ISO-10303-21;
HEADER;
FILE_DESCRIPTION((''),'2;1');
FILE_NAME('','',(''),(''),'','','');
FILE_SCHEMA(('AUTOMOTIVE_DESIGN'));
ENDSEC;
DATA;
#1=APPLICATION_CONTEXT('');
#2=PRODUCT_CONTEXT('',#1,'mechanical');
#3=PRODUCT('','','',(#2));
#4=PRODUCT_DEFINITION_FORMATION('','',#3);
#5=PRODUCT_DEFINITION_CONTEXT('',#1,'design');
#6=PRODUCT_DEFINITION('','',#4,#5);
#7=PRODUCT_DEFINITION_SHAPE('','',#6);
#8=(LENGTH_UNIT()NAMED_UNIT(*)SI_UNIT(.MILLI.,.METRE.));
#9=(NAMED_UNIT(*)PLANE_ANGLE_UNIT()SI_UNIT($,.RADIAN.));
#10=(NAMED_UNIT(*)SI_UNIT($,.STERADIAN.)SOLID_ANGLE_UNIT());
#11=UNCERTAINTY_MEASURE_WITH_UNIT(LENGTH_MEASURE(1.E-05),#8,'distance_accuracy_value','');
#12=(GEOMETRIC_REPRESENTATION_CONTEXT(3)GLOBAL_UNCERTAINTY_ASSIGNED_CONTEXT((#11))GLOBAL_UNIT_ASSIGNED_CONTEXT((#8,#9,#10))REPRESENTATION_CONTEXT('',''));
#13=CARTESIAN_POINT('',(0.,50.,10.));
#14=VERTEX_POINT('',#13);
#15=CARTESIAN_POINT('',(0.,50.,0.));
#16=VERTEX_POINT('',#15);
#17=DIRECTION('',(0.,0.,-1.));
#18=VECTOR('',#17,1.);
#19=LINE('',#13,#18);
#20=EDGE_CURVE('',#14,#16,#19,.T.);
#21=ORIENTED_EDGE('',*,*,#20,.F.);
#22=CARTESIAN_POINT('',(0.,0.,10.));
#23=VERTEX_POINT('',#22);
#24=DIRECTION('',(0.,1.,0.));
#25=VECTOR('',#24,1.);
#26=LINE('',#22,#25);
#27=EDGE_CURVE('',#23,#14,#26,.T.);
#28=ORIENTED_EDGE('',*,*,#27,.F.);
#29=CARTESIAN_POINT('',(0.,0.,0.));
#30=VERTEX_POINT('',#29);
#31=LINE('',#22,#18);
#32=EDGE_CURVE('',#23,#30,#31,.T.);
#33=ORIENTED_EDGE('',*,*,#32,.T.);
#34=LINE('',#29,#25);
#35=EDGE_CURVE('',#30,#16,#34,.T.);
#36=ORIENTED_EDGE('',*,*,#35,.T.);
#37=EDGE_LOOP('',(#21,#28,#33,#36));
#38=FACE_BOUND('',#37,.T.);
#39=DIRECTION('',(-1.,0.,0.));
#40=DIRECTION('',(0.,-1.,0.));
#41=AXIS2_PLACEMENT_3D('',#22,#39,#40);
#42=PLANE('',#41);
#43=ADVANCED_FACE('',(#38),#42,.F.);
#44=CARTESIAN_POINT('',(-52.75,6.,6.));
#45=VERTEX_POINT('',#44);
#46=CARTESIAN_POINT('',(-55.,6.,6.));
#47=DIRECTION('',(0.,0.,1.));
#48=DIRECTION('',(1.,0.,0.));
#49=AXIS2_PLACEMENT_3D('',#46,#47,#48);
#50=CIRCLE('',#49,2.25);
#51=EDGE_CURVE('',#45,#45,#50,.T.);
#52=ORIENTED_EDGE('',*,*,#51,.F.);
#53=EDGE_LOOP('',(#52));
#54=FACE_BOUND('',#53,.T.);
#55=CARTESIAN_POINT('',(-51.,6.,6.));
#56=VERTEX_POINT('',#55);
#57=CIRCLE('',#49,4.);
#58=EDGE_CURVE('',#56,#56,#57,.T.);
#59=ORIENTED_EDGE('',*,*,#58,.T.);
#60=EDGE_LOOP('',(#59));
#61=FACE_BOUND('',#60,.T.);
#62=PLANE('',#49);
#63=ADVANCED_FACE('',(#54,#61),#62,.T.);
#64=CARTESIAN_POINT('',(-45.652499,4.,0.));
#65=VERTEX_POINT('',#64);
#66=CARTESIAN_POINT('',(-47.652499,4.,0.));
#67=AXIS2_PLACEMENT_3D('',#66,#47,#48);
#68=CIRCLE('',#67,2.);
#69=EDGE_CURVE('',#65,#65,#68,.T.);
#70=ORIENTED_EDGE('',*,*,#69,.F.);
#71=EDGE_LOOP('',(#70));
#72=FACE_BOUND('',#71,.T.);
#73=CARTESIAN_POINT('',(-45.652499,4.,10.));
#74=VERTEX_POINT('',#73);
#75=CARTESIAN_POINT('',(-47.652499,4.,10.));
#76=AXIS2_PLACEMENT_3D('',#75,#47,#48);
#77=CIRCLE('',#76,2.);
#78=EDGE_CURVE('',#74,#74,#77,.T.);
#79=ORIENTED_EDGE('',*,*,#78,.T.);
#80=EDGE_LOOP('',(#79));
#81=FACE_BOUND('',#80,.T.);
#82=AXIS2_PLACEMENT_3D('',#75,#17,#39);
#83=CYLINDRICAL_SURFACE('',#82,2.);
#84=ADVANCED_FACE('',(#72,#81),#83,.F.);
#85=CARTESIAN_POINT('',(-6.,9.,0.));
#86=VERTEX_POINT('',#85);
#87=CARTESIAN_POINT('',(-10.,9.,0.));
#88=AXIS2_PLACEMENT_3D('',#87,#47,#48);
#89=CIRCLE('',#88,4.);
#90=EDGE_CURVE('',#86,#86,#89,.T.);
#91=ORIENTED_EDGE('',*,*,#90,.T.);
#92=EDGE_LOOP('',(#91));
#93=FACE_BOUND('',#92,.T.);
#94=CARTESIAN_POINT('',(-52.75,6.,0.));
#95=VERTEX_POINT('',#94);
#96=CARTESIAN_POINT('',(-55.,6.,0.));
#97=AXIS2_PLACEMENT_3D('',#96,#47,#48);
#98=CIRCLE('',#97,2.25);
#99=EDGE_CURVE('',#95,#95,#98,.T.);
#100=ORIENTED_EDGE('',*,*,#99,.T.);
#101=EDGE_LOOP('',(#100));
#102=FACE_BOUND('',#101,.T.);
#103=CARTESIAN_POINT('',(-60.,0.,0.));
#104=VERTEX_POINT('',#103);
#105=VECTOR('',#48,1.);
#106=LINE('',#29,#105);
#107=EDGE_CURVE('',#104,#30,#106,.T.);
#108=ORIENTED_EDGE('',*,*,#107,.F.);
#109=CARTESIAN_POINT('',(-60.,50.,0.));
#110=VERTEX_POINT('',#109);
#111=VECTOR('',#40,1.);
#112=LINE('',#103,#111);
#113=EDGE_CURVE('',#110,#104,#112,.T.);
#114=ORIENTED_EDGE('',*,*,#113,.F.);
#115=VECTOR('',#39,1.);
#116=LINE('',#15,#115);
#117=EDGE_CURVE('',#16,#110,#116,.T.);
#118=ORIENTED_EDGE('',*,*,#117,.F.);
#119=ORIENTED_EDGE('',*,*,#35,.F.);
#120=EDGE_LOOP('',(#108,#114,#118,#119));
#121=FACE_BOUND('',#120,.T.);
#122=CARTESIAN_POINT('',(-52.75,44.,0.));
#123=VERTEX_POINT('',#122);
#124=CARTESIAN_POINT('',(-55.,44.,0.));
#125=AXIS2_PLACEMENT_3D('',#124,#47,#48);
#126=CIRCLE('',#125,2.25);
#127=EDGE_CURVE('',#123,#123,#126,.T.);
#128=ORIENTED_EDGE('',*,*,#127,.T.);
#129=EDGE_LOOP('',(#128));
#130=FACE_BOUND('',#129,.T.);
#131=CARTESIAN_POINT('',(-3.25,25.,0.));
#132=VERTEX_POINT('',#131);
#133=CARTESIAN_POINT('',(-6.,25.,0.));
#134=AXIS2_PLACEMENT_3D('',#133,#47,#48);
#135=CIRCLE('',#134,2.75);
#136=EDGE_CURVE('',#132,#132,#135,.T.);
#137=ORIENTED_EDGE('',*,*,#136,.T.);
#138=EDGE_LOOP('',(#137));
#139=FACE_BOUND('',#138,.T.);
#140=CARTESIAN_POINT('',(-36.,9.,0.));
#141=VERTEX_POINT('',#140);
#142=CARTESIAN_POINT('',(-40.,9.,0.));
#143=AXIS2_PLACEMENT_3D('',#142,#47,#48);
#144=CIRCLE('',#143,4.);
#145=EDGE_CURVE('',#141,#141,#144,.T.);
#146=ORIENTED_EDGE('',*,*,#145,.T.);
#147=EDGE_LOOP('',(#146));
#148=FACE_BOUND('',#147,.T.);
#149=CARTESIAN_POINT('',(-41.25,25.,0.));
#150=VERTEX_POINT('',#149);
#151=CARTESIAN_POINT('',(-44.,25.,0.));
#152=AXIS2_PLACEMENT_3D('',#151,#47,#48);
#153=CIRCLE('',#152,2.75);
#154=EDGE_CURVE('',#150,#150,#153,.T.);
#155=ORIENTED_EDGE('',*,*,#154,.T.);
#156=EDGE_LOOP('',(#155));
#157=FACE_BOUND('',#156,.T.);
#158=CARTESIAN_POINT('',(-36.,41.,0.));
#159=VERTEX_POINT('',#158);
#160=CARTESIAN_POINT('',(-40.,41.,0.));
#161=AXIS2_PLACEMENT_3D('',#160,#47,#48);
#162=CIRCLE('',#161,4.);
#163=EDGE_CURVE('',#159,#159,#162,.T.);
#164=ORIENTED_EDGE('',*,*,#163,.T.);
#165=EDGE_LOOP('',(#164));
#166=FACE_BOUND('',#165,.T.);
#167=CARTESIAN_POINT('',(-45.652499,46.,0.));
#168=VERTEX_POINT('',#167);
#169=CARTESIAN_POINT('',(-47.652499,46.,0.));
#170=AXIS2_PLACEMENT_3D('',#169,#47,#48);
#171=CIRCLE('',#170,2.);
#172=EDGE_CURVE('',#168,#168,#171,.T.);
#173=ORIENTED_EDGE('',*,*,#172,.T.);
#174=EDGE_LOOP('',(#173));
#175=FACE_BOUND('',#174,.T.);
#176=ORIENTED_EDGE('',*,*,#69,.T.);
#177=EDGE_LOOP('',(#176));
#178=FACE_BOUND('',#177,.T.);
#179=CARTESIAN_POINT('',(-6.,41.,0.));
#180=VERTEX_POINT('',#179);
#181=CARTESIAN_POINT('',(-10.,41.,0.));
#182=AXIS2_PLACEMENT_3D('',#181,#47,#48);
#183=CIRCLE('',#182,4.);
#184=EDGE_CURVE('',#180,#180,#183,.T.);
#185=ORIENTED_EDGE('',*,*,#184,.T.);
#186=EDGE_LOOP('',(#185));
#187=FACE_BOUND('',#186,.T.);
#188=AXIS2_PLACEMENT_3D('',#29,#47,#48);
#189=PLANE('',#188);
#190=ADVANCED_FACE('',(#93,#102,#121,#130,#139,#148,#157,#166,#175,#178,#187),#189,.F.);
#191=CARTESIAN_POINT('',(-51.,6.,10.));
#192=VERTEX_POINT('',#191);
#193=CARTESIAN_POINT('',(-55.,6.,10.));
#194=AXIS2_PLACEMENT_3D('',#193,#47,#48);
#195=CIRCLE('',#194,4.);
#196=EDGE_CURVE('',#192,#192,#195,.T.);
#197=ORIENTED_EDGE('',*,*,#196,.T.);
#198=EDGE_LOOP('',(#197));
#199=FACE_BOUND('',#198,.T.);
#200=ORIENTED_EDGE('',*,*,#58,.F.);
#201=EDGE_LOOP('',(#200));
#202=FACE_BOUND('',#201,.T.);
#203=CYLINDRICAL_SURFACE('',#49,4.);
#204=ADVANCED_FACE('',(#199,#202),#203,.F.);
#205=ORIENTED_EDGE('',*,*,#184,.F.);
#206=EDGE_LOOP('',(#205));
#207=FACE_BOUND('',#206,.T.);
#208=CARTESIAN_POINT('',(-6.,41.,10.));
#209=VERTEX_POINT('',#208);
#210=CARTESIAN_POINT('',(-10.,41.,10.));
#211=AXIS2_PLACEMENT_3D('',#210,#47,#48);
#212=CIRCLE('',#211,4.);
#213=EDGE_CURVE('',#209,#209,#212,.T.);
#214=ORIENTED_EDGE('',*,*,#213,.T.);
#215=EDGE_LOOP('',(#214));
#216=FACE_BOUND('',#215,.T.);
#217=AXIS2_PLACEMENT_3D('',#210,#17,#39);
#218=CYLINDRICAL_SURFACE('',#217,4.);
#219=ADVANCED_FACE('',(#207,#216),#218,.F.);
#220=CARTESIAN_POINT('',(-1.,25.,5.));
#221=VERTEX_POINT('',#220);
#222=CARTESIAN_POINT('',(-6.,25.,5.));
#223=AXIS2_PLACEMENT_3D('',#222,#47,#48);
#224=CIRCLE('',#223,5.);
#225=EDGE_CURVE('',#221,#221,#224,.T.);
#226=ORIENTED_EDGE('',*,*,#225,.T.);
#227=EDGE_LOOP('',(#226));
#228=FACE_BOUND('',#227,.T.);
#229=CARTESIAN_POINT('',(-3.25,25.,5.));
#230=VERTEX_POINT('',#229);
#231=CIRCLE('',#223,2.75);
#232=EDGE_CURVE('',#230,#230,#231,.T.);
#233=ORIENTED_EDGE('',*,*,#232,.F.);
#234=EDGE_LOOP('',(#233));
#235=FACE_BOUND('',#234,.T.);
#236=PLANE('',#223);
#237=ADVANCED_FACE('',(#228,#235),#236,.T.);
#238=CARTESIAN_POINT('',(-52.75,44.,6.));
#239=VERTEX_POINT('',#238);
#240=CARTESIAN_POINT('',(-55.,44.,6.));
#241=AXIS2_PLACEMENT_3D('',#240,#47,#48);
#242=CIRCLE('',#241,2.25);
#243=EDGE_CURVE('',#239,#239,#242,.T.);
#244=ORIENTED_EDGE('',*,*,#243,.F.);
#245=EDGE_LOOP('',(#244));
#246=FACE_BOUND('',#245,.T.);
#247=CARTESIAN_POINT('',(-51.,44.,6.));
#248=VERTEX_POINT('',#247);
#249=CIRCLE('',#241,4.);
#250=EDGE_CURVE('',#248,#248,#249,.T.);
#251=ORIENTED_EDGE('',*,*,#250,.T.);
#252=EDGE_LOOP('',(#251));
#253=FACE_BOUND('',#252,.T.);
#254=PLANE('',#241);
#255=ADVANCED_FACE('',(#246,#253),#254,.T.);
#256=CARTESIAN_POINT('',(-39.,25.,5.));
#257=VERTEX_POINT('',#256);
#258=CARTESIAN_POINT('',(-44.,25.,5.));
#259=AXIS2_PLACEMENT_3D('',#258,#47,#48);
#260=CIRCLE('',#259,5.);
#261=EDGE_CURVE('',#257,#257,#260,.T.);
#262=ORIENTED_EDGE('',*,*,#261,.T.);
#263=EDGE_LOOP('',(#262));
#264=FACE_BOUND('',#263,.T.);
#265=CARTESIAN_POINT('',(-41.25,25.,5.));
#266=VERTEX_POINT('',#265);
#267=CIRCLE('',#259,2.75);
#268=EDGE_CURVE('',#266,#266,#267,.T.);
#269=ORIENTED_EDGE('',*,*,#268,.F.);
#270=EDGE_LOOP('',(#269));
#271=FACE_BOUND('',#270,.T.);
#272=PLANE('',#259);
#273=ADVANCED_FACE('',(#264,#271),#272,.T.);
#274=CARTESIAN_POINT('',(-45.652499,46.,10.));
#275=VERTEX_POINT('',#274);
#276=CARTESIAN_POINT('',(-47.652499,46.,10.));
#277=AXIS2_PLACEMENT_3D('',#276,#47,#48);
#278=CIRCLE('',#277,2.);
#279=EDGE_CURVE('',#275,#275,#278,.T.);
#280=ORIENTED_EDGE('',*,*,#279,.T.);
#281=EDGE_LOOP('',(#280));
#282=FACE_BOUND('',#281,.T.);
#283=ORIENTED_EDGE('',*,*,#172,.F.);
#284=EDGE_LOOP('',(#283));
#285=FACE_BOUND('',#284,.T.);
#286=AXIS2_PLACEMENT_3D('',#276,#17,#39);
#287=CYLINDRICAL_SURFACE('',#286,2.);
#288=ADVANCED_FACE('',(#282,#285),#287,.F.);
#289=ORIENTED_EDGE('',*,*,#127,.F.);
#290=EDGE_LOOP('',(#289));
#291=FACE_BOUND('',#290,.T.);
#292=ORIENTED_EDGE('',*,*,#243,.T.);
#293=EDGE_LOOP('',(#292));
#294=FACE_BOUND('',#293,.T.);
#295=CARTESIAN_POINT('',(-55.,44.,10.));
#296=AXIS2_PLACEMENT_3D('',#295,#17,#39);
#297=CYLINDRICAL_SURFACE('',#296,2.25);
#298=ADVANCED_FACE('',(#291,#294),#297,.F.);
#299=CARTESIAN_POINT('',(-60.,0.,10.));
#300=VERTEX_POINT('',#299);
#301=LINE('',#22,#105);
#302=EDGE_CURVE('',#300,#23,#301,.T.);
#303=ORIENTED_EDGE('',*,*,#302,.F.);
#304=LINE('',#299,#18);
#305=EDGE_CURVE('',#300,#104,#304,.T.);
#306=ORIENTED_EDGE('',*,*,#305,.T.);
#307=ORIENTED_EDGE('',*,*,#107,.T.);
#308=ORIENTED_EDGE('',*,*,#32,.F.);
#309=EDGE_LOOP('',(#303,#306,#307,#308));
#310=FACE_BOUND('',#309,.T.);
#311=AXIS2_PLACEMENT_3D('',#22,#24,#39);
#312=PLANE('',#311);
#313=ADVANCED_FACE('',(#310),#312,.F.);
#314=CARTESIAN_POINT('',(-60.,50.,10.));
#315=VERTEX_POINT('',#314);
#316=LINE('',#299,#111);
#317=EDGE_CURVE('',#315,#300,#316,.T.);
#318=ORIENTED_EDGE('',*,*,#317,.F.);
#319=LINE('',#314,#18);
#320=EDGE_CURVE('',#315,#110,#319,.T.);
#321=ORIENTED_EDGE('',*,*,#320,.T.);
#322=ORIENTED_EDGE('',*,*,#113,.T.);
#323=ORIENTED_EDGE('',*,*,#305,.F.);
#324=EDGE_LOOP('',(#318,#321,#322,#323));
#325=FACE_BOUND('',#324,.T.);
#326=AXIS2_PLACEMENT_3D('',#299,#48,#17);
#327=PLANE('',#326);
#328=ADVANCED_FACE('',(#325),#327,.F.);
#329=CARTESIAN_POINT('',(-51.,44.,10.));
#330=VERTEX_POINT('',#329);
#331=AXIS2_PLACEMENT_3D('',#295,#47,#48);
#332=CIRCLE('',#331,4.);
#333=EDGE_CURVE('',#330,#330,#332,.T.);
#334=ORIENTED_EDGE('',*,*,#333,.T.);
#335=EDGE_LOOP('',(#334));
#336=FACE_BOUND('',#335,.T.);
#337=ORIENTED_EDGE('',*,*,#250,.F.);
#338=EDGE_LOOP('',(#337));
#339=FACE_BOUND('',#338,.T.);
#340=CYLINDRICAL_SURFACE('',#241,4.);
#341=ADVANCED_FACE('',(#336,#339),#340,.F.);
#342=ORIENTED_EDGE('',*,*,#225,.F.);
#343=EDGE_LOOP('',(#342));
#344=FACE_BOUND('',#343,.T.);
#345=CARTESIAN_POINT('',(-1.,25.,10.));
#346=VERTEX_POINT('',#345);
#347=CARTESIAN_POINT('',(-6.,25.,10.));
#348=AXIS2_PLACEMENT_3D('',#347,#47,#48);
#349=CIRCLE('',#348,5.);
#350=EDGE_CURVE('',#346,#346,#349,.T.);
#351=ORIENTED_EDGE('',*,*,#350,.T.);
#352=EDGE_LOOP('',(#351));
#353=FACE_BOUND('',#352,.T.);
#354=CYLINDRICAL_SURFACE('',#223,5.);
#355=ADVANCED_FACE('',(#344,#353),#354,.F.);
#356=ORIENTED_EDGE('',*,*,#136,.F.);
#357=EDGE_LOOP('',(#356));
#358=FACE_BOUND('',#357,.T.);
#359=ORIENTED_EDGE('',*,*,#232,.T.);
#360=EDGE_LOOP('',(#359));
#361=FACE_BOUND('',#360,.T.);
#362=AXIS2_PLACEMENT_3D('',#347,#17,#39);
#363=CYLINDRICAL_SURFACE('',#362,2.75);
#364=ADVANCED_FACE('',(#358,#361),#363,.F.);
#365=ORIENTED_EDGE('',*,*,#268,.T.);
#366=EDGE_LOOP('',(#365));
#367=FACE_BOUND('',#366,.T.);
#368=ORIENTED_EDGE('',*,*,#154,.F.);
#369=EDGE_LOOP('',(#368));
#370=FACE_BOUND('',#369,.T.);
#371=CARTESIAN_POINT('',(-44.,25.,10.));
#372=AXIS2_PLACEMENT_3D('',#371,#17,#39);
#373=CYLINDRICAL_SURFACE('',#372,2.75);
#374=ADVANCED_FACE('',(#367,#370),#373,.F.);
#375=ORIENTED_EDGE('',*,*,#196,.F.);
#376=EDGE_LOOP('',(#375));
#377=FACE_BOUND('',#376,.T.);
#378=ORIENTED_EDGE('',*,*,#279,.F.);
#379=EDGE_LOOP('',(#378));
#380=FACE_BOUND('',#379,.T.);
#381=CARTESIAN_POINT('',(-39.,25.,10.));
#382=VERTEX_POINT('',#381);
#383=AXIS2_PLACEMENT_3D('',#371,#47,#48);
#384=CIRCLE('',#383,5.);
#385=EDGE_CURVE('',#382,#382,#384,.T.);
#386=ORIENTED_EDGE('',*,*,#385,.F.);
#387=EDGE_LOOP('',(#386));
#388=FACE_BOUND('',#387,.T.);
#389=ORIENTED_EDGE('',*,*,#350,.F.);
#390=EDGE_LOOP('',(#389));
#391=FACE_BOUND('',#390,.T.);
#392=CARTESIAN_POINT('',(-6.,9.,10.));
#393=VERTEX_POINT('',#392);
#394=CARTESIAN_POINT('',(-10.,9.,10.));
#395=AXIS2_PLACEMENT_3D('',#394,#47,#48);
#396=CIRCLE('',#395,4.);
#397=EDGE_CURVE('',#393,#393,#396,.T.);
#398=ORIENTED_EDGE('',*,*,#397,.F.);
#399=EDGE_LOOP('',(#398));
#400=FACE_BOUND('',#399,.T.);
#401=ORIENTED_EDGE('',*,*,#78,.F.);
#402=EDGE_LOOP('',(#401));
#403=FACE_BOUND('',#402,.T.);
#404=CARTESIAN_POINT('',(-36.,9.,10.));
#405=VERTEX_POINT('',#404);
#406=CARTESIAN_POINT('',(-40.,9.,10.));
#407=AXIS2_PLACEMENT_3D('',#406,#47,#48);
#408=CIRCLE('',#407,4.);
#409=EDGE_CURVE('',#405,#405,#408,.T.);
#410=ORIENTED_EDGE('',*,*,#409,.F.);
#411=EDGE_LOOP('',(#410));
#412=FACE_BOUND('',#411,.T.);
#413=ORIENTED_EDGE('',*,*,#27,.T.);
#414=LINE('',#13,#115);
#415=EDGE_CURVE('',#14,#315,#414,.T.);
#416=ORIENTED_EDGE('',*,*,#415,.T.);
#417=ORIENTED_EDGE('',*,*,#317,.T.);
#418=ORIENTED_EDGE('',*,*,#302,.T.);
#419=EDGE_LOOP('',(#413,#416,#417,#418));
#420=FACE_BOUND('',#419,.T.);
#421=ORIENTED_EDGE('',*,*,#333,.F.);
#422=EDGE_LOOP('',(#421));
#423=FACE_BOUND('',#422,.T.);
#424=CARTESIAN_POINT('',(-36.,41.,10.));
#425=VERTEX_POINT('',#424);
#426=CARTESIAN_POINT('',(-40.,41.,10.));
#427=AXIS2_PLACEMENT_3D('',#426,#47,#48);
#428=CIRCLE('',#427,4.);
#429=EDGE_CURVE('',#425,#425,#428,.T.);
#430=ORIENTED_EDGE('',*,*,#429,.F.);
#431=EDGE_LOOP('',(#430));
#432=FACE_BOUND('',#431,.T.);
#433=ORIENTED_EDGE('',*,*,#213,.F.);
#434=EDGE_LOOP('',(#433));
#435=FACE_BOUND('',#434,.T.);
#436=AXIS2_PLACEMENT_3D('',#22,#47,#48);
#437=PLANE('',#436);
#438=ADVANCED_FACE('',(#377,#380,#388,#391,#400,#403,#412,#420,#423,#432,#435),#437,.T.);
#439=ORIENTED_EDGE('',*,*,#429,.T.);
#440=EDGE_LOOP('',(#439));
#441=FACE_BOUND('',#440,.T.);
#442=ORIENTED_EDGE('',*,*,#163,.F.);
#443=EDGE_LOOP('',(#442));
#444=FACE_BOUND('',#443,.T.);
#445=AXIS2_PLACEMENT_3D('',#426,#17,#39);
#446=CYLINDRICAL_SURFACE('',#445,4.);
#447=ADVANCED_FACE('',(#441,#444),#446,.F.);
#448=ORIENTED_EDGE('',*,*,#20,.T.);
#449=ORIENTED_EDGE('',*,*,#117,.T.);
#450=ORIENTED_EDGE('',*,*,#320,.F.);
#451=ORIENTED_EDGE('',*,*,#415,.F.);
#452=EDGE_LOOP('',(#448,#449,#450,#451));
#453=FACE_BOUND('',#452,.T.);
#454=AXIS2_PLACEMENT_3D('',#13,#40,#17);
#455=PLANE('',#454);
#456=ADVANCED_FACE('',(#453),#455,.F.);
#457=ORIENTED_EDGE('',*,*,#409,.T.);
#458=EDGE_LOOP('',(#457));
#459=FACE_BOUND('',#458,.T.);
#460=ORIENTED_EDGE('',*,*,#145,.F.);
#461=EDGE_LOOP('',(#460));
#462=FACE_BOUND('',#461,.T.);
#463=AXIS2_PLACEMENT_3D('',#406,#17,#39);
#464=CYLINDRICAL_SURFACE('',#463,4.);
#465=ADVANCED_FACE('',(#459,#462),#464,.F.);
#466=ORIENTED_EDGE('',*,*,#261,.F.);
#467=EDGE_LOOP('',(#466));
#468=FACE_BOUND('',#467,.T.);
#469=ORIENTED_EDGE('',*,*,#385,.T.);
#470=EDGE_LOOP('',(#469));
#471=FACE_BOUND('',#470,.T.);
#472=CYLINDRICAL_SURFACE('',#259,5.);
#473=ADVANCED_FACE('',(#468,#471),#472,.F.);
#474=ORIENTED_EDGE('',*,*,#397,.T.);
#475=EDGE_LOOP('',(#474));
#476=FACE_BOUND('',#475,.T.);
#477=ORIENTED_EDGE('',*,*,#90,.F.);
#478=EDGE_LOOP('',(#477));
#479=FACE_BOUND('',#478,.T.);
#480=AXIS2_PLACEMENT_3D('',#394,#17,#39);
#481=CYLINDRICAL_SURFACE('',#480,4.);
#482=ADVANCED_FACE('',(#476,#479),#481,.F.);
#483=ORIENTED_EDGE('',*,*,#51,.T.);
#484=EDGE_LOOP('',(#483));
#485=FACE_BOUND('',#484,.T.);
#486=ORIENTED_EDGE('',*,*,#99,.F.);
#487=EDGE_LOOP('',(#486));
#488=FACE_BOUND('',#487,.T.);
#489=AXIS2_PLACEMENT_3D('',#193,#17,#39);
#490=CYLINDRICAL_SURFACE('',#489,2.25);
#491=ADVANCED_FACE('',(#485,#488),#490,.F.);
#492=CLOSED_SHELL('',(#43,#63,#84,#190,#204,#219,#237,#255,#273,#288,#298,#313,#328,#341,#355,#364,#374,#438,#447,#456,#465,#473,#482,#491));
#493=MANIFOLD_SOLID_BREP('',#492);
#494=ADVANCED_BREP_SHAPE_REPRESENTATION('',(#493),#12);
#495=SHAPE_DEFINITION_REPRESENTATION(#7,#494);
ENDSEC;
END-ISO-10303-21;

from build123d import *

# Parameters (mm, degrees)
SKETCH1_W           = 60
SKETCH1_H           = 50
SKETCH1_R           = 4
SKETCH1_R_2         = 2.25
SKETCH1_R_3         = 2.75
SKETCH1_R_4         = 2
BOSS_EXTRUDE2_DEPTH = 10
SKETCH2_R           = 4
CUT_EXTRUDE1_DEPTH  = 4
SKETCH3_R           = 5
CUT_EXTRUDE2_DEPTH  = 5


with BuildPart() as part:
    # Sketch1 → Boss-Extrude2 (new body)
    with BuildSketch(Plane.XY):
        with Locations((-30, 25)):
            Rectangle(SKETCH1_W, SKETCH1_H)
        with Locations((-10, 41)):
            Circle(SKETCH1_R, mode=Mode.SUBTRACT)
        with Locations((-10, 9)):
            Circle(SKETCH1_R, mode=Mode.SUBTRACT)
        with Locations((-40, 9)):
            Circle(SKETCH1_R, mode=Mode.SUBTRACT)
        with Locations((-40, 41)):
            Circle(SKETCH1_R, mode=Mode.SUBTRACT)
        with Locations((-55, 44)):
            Circle(SKETCH1_R_2, mode=Mode.SUBTRACT)
        with Locations((-55, 6)):
            Circle(SKETCH1_R_2, mode=Mode.SUBTRACT)
        with Locations((-44, 25)):
            Circle(SKETCH1_R_3, mode=Mode.SUBTRACT)
        with Locations((-6, 25)):
            Circle(SKETCH1_R_3, mode=Mode.SUBTRACT)
        with Locations((-47.652499067, 46)):
            Circle(SKETCH1_R_4, mode=Mode.SUBTRACT)
        with Locations((-47.652499067, 4)):
            Circle(SKETCH1_R_4, mode=Mode.SUBTRACT)
    extrude(amount=BOSS_EXTRUDE2_DEPTH)

    # Sketch2 → Cut-Extrude1 (cut)
    with BuildSketch(Plane.XY.offset(10)):
        with Locations((-55, 44)):
            Circle(SKETCH2_R)
        with Locations((-55, 6)):
            Circle(SKETCH2_R)
    extrude(amount=-CUT_EXTRUDE1_DEPTH, mode=Mode.SUBTRACT)

    # Sketch3 → Cut-Extrude2 (cut)
    with BuildSketch(Plane.XY.offset(10)):
        with Locations((-44, 25)):
            Circle(SKETCH3_R)
        with Locations((-6, 25)):
            Circle(SKETCH3_R)
    extrude(amount=-CUT_EXTRUDE2_DEPTH, mode=Mode.SUBTRACT)


solid = part.part
